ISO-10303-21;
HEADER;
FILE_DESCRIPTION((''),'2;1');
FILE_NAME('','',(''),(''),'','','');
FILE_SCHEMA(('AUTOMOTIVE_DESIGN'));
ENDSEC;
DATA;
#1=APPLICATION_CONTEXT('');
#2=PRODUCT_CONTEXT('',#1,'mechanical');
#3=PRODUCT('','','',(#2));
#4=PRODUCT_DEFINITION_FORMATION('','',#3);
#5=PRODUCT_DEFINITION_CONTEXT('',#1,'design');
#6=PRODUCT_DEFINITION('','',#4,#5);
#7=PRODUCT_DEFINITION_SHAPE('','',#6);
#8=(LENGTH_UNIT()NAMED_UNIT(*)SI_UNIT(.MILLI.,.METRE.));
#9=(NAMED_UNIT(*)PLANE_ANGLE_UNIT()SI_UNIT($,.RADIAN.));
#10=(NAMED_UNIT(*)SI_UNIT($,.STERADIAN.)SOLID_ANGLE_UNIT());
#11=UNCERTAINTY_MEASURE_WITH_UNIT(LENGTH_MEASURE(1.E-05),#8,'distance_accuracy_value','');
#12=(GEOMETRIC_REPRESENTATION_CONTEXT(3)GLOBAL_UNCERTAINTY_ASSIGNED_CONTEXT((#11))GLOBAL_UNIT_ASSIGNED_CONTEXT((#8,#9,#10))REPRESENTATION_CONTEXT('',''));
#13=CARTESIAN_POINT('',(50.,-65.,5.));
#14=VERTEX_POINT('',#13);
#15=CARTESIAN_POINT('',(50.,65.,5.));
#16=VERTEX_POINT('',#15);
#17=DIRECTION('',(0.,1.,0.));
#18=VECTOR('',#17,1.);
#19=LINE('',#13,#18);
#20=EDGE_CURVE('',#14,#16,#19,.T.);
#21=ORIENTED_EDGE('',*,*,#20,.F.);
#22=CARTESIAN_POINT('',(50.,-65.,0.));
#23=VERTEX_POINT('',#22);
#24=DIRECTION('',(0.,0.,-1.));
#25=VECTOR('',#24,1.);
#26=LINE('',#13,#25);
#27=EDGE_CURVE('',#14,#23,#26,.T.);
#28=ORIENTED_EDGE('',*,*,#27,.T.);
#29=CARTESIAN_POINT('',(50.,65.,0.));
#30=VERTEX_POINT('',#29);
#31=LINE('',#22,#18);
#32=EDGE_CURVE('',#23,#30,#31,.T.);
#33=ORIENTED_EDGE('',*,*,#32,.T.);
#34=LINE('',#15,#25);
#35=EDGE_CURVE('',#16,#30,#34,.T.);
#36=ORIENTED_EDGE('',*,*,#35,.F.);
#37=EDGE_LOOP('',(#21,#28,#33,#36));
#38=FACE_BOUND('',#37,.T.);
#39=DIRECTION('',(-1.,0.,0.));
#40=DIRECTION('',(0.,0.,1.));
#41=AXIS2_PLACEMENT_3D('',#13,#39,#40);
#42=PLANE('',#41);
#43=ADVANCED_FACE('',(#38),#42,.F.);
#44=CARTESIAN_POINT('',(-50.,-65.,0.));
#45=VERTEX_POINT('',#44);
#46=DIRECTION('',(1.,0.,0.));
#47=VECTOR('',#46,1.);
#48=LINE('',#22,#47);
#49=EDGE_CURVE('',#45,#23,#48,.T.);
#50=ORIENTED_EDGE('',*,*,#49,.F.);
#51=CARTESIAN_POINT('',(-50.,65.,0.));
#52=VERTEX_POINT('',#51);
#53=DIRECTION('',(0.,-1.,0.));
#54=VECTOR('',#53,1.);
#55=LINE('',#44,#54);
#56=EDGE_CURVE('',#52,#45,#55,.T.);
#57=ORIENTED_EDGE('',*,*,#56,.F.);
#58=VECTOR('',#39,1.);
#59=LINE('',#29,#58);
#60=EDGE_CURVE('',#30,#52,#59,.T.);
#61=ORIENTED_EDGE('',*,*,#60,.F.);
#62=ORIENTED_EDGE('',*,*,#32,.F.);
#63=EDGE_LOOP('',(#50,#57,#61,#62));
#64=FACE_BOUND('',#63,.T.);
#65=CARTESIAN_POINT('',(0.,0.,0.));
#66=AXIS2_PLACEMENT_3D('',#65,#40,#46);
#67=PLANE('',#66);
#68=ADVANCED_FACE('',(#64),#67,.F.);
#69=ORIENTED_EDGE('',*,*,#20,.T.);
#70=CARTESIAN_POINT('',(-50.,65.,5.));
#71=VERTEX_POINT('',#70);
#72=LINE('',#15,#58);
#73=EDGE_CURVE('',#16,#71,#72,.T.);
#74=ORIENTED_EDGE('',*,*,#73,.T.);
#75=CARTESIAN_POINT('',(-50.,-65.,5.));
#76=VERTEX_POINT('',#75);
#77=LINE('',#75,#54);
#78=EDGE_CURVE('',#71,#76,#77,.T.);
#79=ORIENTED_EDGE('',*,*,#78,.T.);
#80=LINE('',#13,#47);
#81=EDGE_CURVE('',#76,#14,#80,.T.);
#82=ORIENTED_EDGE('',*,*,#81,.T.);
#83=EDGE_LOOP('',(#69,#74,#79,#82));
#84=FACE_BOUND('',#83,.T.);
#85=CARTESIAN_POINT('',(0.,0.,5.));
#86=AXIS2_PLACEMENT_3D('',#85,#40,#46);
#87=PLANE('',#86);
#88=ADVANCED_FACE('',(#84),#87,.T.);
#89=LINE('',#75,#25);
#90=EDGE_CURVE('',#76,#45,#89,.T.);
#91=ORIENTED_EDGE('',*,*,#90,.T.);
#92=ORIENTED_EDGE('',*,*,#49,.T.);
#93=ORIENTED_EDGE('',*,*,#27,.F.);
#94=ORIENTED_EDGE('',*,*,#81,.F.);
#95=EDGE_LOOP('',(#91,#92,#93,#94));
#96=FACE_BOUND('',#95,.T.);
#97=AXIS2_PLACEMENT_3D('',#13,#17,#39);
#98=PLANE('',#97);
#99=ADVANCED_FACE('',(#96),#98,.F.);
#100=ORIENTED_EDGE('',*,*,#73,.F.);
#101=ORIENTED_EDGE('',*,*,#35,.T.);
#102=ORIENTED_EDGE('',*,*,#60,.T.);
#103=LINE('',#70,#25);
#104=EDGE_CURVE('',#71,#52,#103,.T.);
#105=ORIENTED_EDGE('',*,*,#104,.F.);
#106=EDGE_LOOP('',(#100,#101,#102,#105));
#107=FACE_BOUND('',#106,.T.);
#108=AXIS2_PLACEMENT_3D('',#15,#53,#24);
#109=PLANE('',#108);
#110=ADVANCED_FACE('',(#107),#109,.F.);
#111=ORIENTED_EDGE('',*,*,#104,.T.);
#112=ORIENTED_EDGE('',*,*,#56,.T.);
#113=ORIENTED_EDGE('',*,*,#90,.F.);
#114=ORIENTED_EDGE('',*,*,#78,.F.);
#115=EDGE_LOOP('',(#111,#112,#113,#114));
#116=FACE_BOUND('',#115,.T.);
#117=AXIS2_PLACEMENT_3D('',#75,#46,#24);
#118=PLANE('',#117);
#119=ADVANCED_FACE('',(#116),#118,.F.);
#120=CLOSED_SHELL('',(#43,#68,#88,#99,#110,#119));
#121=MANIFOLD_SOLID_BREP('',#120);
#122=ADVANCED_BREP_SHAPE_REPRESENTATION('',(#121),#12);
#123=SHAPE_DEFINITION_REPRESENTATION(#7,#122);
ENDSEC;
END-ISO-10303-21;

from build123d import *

# Parameters (mm, degrees)
SKETCH1_W           = 100
SKETCH1_H           = 130
BOSS_EXTRUDE1_DEPTH = 5


with BuildPart() as part:
    # Sketch1 → Boss-Extrude1 (new body)
    with BuildSketch(Plane.XY):
        Rectangle(SKETCH1_W, SKETCH1_H)
    extrude(amount=BOSS_EXTRUDE1_DEPTH)


solid = part.part
